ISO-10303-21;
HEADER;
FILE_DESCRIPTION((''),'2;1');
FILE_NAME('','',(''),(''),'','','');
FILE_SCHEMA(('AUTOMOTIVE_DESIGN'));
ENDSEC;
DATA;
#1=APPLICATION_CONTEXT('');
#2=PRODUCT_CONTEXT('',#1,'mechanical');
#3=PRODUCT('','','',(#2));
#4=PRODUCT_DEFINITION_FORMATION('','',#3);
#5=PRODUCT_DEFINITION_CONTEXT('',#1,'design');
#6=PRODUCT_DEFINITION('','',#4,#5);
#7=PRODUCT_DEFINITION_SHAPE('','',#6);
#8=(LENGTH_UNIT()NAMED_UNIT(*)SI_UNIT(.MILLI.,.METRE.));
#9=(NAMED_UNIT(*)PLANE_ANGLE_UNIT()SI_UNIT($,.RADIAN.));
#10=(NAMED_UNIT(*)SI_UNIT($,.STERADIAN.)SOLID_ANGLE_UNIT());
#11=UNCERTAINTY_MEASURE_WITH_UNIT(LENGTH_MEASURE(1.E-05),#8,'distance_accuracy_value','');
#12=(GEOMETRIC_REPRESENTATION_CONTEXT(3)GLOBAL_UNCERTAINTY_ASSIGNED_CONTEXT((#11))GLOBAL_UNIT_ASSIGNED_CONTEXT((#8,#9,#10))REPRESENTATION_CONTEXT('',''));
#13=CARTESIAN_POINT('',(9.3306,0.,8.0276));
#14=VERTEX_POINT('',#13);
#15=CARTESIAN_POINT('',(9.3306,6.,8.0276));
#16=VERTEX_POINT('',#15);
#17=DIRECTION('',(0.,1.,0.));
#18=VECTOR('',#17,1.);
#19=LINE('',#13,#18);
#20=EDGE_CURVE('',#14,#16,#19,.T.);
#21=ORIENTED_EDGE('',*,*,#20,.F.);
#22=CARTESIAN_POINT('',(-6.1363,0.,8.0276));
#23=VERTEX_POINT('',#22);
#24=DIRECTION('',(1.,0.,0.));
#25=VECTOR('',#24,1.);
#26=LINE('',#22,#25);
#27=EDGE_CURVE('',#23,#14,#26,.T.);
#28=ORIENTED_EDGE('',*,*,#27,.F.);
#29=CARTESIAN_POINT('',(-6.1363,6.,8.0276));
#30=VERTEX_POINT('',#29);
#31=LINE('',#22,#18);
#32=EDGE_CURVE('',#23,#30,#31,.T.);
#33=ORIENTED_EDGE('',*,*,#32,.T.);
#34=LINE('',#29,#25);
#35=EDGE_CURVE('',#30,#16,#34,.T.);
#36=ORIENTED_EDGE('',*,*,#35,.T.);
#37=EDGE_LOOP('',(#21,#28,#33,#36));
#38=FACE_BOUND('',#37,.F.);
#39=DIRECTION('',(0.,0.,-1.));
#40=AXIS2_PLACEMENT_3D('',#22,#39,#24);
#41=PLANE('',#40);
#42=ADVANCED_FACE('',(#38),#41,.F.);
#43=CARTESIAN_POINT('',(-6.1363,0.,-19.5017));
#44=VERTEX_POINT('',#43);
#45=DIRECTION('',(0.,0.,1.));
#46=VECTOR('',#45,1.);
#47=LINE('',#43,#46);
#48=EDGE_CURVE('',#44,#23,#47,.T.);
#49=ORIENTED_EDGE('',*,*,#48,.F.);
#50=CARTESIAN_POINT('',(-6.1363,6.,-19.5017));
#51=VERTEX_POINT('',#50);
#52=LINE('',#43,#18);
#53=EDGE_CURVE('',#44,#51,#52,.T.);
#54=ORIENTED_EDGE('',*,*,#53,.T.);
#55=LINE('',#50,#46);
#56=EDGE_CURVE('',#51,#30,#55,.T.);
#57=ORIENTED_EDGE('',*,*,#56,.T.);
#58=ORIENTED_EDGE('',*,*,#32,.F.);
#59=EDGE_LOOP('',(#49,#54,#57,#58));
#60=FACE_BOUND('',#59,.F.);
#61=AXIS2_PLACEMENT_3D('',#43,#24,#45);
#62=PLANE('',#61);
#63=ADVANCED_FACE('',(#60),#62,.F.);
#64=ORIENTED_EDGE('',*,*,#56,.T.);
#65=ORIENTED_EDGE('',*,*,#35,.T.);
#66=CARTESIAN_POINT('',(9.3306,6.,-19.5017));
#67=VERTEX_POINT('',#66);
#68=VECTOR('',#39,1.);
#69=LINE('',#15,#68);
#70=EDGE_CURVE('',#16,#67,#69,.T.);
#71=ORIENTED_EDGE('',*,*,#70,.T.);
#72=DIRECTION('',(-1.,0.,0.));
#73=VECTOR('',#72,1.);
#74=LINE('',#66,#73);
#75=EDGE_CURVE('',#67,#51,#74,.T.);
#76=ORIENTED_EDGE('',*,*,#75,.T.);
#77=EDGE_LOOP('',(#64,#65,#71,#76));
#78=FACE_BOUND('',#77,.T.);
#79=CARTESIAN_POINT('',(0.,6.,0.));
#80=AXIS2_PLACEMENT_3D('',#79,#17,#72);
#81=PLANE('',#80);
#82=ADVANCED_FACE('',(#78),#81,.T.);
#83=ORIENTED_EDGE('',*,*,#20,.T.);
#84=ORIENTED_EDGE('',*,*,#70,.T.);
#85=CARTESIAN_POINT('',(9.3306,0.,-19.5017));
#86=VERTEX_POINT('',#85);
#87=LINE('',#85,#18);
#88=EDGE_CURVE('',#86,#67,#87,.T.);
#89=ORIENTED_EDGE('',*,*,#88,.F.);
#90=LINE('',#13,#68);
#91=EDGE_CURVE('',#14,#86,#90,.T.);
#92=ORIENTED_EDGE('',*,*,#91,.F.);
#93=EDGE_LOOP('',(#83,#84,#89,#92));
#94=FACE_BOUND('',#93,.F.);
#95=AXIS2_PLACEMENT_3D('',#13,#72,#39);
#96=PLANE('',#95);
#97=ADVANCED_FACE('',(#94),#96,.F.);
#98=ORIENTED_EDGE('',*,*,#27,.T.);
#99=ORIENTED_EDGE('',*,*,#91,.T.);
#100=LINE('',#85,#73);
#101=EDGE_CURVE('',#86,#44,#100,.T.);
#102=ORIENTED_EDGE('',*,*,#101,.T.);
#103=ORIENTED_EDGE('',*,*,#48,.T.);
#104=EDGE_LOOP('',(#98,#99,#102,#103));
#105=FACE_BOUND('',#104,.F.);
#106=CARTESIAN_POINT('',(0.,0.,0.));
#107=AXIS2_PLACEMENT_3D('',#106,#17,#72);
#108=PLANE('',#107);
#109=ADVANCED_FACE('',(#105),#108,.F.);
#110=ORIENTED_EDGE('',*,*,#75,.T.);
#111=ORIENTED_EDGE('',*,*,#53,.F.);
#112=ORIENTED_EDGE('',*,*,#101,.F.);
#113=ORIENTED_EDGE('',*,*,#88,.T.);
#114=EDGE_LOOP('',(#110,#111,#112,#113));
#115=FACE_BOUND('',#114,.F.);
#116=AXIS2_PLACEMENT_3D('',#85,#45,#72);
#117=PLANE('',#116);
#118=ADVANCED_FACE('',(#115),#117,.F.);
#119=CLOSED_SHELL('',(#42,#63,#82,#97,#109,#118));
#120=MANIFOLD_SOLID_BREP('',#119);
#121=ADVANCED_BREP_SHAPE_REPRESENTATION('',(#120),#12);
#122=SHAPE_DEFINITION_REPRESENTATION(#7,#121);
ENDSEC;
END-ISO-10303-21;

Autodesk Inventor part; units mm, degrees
ref_plane "YZ Plane" through (0, 0, 0) normal (1, 0, 0) x (0, 1, 0)
ref_plane "XZ Plane" through (0, 0, 0) normal (0, 1, 0) x (-1, 0, 0)
ref_plane "XY Plane" through (0, 0, 0) normal (0, 0, 1) x (1, 0, 0)
sketch "Sketch1" plane through (0, 0, 0) normal (0, 1, 0) x (-1, 0, 0)
  line L0 (6.1363, 8.0276) -> (-9.3306, 8.0276)
  line L1 (-9.3306, 8.0276) -> (-9.3306, -19.5017)
  line L2 (-9.3306, -19.5017) -> (6.1363, -19.5017)
  line L3 (6.1363, -19.5017) -> (6.1363, 8.0276)
  point P0 (0, 0)
extrude "Extrusion1" add sketch "Sketch1" along normal blind 6
